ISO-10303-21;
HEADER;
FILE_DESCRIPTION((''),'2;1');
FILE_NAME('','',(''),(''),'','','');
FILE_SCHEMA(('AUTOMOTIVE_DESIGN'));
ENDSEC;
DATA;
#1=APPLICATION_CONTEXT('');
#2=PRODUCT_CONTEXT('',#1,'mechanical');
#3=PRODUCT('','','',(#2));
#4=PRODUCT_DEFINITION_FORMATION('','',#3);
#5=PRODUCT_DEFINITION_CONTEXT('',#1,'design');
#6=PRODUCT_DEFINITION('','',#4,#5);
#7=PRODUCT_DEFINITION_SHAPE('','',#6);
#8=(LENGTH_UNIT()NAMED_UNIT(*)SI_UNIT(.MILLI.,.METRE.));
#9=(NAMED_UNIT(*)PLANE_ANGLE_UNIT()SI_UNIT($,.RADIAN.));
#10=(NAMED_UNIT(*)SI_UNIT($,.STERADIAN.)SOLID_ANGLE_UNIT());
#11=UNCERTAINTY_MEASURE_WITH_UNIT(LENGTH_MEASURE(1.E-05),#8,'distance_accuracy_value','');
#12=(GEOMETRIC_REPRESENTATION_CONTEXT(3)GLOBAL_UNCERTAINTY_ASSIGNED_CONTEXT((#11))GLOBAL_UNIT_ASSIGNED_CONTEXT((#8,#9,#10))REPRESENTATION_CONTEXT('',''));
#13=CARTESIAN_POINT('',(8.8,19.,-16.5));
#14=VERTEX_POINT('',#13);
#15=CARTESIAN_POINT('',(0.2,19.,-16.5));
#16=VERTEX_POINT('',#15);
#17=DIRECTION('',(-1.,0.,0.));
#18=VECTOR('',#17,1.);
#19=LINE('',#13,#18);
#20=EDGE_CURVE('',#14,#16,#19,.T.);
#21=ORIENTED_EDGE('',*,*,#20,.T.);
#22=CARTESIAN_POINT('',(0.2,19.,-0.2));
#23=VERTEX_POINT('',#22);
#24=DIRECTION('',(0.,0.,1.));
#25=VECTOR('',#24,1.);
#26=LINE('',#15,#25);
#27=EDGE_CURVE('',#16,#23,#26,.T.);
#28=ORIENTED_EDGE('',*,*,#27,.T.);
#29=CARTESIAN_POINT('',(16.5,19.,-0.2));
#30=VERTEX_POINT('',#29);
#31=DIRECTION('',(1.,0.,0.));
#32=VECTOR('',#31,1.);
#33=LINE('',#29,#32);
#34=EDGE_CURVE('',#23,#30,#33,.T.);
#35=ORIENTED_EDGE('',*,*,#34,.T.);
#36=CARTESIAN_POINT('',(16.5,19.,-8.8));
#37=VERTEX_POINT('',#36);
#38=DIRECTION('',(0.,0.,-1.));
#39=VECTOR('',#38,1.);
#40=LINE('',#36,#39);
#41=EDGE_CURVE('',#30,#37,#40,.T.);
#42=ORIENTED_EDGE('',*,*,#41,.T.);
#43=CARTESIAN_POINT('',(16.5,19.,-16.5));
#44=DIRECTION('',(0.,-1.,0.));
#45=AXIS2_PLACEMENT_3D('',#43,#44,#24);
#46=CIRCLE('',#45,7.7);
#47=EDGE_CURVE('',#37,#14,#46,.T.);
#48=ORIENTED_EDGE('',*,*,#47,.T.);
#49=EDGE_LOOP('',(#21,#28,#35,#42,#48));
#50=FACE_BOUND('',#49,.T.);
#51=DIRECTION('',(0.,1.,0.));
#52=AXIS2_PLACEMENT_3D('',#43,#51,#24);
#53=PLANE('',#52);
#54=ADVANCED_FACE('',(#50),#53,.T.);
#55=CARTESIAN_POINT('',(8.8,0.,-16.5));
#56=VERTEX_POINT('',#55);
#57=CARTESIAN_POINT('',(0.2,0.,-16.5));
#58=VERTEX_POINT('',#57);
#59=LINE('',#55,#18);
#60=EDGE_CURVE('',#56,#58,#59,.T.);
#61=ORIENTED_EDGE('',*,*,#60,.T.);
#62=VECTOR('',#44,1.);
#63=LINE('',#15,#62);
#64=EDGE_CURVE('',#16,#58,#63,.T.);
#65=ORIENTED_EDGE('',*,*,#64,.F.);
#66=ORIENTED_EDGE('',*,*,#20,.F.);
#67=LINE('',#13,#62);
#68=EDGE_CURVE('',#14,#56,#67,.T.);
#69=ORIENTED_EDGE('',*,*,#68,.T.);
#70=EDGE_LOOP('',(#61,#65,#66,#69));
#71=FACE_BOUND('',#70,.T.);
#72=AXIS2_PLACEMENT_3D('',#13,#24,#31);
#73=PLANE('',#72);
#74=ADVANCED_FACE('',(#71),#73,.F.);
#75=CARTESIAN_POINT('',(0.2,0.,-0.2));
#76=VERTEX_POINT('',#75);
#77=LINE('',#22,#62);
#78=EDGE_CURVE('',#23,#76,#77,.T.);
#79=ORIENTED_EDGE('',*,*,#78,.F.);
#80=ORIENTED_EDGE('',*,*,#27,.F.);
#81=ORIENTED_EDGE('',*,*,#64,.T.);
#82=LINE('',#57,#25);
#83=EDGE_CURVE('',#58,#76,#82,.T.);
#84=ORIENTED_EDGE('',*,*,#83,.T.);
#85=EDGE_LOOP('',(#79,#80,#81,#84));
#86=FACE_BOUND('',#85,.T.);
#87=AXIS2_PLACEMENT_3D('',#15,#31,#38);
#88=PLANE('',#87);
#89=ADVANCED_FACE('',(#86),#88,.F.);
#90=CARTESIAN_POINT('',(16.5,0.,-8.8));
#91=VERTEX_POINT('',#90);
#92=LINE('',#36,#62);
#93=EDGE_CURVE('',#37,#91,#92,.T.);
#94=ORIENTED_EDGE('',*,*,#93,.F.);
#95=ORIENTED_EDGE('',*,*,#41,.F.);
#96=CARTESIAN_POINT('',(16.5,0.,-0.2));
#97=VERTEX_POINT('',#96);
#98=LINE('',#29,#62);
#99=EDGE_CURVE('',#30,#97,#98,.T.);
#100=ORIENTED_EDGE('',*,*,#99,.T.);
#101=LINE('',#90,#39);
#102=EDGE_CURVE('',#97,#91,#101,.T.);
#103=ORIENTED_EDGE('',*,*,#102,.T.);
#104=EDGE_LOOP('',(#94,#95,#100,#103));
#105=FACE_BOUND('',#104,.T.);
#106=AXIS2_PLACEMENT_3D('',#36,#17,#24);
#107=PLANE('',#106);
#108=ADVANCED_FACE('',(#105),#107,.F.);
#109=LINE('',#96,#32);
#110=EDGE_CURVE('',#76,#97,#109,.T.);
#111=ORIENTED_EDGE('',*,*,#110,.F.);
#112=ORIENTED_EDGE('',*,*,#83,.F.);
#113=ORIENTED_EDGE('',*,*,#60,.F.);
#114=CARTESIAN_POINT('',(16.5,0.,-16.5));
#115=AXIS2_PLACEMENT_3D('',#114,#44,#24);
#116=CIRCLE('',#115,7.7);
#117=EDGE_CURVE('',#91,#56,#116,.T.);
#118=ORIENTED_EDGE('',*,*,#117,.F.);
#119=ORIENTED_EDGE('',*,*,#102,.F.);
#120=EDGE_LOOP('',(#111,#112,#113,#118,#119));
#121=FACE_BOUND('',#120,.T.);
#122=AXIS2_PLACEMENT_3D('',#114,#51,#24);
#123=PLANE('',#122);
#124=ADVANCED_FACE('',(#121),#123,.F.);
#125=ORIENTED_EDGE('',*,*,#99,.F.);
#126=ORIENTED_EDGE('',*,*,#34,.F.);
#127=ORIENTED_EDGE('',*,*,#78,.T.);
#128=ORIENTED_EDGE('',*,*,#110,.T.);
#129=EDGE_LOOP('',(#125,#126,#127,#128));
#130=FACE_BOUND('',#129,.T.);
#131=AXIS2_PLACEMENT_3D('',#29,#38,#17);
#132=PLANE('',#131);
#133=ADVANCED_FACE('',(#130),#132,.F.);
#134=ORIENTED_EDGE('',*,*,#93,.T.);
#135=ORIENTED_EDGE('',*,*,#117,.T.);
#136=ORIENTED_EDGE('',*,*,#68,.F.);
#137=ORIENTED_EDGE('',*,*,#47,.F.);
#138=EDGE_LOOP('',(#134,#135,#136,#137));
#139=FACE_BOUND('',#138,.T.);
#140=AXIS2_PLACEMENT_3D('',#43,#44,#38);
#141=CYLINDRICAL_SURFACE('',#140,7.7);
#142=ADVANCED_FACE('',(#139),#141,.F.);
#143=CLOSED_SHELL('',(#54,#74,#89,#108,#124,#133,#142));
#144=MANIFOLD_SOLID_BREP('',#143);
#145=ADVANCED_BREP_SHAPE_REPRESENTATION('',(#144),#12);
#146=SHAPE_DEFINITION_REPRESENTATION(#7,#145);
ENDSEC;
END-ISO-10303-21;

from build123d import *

# Parameters (mm, degrees)
BOSS_EXTRUDE1_DEPTH = 19


with BuildPart() as part:
    # Sketch1 → Boss-Extrude1 (new body)
    with BuildSketch(Plane(origin=(0, 0, 0), x_dir=(1, 0, 0), z_dir=(0, 1, 0))):
        with BuildLine():
            Line((8.8, 16.5), (0.2, 16.5))
            Line((0.2, 16.5), (0.2, 0.2))
            Line((0.2, 0.2), (16.5, 0.2))
            Line((16.5, 0.2), (16.5, 8.8))
            ThreePointArc((16.5, 8.8), (11.055277785, 11.055277785), (8.8, 16.5))
        make_face()
    extrude(amount=BOSS_EXTRUDE1_DEPTH)


solid = part.part
